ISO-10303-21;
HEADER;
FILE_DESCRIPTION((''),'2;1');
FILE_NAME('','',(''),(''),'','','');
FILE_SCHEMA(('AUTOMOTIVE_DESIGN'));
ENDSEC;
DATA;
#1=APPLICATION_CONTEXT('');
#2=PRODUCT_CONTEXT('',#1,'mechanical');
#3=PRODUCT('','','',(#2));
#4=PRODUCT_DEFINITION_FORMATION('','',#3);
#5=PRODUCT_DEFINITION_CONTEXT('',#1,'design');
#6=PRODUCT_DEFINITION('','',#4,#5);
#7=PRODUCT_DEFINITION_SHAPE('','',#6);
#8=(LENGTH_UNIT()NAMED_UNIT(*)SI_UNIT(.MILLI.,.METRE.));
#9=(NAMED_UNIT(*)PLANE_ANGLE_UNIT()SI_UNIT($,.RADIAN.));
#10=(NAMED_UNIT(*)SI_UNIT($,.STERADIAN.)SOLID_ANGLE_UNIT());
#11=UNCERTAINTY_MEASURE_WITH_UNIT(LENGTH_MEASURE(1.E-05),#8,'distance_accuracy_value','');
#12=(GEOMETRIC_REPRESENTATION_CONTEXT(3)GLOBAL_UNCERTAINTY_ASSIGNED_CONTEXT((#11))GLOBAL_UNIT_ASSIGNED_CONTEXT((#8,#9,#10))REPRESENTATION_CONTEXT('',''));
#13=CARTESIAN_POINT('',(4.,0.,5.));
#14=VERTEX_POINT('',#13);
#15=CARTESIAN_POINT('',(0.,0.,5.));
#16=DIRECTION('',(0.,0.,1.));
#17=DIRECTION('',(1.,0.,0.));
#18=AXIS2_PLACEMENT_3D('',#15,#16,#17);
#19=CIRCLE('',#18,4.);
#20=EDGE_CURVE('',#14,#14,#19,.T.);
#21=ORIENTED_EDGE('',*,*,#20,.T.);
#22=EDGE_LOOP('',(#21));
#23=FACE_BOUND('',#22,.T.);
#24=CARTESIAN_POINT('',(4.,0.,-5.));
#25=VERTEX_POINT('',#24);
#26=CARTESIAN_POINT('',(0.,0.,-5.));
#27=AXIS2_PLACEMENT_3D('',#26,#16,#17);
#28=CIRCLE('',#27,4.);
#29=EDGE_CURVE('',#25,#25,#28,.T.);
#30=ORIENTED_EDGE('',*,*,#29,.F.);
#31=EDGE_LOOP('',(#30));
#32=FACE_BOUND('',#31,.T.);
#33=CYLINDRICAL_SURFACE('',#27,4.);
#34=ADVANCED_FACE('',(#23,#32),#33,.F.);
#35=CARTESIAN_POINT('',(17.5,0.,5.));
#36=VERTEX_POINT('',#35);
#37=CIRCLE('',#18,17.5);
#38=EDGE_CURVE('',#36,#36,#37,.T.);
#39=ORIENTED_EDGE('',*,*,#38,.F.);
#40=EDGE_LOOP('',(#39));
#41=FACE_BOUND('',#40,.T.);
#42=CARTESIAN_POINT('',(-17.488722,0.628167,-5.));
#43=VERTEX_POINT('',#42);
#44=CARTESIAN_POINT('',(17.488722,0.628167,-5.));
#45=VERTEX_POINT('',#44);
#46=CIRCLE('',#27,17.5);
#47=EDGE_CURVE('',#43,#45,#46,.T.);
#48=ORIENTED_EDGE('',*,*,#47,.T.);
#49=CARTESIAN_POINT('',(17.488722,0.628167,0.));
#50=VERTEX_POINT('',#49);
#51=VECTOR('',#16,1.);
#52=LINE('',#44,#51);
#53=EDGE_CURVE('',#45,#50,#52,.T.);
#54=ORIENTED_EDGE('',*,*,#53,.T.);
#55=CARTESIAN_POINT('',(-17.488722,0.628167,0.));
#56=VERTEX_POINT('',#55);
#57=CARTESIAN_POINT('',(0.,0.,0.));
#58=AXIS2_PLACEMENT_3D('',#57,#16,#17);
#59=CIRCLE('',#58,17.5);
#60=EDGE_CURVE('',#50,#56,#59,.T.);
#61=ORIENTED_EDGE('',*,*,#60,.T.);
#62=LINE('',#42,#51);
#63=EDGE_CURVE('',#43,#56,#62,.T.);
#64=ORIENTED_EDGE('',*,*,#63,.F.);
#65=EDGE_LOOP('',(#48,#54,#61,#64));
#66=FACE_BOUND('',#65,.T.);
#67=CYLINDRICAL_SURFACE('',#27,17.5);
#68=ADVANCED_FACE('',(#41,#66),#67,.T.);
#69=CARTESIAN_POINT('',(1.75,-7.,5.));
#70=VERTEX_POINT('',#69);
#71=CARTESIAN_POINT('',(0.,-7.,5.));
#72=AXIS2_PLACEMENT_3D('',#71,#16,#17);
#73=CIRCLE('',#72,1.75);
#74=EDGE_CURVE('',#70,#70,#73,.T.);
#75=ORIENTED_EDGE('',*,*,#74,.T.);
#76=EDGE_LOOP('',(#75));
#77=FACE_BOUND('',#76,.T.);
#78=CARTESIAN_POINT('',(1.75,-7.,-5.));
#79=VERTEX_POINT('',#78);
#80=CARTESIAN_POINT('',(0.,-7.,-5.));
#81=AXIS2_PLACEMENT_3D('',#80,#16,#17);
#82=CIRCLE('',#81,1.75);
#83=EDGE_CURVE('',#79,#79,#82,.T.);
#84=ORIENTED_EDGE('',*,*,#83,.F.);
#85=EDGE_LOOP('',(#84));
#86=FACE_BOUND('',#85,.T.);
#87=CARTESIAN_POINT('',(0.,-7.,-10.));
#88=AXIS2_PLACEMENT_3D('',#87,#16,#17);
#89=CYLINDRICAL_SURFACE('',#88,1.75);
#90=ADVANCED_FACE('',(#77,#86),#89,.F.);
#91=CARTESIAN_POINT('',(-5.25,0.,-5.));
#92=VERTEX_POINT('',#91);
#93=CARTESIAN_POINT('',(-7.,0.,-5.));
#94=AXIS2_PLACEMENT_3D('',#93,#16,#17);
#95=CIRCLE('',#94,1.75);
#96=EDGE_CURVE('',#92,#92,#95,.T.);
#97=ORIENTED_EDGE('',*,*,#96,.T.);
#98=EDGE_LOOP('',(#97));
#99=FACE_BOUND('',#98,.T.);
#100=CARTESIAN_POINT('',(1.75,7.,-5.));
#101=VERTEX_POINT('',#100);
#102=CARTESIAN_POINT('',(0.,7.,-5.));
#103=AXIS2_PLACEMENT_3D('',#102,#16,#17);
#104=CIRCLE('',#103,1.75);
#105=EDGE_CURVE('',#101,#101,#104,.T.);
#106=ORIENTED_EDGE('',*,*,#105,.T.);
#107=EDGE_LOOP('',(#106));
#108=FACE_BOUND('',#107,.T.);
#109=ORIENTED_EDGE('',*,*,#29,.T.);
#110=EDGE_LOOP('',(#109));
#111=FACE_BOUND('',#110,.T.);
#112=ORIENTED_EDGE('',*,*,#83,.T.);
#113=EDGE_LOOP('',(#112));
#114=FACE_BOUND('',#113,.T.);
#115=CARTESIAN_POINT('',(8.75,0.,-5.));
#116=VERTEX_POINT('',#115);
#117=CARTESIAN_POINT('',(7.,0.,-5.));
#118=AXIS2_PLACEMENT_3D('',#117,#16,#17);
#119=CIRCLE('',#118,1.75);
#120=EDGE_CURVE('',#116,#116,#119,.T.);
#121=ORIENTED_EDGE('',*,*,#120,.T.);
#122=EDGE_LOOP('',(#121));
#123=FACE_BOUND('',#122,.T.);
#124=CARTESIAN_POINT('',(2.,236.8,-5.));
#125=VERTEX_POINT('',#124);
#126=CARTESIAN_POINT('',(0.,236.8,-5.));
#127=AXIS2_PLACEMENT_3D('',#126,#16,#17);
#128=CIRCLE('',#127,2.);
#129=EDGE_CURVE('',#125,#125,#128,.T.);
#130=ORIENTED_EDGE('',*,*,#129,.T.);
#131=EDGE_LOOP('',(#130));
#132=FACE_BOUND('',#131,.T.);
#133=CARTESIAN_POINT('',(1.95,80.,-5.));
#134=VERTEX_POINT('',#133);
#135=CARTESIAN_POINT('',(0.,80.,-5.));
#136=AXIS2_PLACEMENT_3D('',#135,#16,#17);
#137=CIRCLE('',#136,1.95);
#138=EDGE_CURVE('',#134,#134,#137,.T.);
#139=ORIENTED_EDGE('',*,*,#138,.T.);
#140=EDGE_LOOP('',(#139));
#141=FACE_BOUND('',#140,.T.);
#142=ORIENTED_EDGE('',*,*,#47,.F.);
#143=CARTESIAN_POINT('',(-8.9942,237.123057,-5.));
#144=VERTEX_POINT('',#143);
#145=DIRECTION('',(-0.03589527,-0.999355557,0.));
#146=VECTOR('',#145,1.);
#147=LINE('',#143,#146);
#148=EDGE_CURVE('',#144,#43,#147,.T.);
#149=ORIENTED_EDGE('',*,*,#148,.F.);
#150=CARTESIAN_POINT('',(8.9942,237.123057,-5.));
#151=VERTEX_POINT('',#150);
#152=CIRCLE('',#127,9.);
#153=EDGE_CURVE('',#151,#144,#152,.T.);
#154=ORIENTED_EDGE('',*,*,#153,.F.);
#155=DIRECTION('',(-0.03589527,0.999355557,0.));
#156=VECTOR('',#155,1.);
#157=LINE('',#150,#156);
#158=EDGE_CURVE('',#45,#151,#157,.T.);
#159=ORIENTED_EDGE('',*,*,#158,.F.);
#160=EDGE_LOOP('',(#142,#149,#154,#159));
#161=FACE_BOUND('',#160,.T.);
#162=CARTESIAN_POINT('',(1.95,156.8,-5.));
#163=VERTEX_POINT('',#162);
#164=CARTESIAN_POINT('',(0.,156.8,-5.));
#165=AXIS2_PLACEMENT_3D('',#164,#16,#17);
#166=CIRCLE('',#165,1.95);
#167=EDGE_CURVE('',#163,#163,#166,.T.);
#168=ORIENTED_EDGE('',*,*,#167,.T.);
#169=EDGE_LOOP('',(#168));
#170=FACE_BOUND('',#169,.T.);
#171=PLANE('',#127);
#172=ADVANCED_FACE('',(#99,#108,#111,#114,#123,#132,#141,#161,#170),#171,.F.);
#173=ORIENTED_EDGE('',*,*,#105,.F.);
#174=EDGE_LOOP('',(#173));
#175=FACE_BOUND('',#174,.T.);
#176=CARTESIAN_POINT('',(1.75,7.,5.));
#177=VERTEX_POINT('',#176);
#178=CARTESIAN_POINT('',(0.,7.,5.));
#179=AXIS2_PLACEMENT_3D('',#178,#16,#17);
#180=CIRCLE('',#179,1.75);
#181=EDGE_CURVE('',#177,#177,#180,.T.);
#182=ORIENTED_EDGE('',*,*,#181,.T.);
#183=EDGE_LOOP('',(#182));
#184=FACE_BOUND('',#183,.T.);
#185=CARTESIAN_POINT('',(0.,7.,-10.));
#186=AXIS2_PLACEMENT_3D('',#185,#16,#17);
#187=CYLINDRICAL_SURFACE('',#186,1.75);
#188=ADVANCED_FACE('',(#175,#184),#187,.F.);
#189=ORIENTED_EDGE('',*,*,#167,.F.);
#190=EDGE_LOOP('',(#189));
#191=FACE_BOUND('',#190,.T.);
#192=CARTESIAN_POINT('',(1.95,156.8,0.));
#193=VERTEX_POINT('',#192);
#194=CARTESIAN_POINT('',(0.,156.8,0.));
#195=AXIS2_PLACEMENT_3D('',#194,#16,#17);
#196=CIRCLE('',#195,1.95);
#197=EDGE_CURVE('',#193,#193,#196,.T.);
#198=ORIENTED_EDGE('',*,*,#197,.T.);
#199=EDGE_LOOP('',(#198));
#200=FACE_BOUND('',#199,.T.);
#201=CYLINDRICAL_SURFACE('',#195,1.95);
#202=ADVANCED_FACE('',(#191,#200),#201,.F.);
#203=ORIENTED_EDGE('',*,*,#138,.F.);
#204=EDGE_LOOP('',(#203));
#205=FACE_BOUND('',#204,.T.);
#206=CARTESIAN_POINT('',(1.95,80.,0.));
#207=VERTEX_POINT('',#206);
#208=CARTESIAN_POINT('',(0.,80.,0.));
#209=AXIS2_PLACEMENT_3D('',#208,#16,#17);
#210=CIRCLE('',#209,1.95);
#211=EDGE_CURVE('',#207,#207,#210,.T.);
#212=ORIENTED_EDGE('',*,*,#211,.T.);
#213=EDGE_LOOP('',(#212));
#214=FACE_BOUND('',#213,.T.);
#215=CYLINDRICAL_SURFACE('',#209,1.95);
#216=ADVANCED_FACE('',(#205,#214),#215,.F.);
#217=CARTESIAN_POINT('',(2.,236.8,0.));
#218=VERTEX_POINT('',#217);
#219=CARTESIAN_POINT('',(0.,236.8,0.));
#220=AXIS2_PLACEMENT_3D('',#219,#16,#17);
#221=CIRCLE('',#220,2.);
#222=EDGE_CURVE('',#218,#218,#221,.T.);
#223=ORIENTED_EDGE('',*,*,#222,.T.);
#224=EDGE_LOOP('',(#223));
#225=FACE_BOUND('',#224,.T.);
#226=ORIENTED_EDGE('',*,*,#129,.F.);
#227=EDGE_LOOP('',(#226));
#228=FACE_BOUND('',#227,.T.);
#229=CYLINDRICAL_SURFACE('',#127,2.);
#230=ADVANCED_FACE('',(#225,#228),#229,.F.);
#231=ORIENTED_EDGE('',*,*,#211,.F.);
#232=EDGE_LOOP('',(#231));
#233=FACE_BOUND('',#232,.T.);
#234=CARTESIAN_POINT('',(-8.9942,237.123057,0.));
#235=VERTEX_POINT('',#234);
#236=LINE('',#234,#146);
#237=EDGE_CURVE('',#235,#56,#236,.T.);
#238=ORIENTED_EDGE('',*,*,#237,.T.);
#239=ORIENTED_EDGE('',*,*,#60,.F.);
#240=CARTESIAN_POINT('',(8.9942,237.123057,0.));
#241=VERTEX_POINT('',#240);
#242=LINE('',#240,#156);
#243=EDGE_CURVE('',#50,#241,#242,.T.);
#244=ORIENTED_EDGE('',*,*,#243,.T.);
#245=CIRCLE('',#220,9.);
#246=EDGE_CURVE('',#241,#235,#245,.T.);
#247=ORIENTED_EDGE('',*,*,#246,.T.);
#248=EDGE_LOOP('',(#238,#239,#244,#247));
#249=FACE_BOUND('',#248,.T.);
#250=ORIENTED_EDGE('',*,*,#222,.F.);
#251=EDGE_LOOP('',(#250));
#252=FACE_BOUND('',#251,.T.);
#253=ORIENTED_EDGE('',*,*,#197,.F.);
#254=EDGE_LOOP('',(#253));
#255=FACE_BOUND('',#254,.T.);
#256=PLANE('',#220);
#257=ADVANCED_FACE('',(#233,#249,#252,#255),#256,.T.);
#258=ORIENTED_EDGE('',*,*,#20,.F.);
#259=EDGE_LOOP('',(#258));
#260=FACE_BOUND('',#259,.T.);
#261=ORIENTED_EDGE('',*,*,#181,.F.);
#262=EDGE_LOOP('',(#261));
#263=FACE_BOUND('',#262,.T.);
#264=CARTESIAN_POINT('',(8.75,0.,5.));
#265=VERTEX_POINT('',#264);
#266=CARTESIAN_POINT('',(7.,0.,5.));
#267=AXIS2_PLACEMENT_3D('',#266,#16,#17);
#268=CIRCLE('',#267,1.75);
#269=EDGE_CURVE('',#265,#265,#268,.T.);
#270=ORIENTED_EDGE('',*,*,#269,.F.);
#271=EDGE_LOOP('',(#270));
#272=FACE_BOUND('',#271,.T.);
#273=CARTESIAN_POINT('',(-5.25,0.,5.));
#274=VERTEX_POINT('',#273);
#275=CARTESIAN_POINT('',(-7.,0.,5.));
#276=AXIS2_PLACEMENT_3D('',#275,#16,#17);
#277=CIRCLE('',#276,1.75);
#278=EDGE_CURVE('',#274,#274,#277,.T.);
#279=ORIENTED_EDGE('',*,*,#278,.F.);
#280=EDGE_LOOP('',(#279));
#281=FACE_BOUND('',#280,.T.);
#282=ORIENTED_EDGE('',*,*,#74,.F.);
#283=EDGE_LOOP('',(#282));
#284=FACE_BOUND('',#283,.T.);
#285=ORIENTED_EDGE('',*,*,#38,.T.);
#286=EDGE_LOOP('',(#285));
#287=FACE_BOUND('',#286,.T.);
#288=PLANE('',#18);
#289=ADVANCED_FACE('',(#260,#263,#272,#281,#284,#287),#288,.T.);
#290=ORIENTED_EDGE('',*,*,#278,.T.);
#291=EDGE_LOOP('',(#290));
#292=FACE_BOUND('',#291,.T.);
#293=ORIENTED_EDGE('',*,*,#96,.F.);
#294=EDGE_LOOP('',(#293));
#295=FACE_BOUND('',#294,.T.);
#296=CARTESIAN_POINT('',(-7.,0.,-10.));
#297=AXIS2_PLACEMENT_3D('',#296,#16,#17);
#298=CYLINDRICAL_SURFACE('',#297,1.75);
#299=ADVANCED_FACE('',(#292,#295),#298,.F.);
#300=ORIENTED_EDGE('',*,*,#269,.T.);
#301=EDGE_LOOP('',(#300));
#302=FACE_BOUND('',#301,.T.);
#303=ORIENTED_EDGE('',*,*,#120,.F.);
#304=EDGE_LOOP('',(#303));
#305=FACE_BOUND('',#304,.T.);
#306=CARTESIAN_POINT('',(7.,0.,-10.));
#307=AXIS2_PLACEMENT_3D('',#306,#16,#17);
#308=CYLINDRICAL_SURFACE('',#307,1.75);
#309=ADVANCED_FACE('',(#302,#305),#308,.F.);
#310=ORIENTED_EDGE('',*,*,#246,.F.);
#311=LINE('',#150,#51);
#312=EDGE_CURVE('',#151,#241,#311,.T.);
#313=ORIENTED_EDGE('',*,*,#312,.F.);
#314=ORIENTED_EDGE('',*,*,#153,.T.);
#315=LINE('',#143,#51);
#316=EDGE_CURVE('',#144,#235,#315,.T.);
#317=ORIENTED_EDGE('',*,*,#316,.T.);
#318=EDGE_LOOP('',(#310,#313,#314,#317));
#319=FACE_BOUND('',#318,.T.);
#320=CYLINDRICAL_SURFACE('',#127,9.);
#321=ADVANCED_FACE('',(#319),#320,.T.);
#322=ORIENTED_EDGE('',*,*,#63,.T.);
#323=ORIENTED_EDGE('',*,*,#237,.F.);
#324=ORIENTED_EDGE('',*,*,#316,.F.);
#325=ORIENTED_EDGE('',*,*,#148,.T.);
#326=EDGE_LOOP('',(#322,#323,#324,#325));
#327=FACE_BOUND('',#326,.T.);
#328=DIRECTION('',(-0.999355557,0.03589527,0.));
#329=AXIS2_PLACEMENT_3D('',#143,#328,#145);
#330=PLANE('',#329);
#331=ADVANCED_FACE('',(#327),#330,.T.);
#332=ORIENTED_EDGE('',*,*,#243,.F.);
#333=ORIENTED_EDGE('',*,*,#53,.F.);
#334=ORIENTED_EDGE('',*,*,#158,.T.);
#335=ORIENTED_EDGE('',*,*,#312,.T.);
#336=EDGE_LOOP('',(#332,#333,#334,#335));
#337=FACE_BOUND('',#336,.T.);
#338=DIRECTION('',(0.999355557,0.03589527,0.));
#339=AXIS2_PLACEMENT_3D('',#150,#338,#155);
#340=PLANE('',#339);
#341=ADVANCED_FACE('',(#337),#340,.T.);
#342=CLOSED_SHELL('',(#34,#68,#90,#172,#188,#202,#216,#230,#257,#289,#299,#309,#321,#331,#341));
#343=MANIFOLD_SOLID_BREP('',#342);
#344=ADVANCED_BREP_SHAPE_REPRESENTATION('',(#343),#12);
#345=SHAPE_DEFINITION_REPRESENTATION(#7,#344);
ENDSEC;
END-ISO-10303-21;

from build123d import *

# Parameters (mm, degrees)
SKETCH7_R                = 4
SKETCH7_R_2              = 2
BOSS_EXTRUDE1_DEPTH      = 5
HOLE_WIZARD_M3_5_1_D     = 3.9
HOLE_WIZARD_M3_5_1_DEPTH = 10
HOLE_WIZARD_M3_5_1_TIP   = 1.171678207
SKETCH_4_R               = 1.75
CUT_EXTRUDE_1_DEPTH      = 10
EXTRUDE_START            = 5
SKETCH_5_R               = 17.5
SKETCH_5_R_2             = 1.75
SKETCH_5_R_3             = 4
EXTRUDE_1_DEPTH          = 5


with BuildPart() as part:
    # Sketch7 → Boss-Extrude1 (new body)
    with BuildSketch(Plane.XY):
        with BuildLine():
            Line((8.994200014, 237.123057432), (17.48872225, 0.62816723))
            ThreePointArc((17.48872225, 0.62816723), (0, -17.5), (-17.48872225, 0.62816723))
            Line((-17.48872225, 0.62816723), (-8.994200014, 237.123057432))
            ThreePointArc((-8.994200014, 237.123057432), (0, 245.8), (8.994200014, 237.123057432))
        make_face()
        Circle(SKETCH7_R, mode=Mode.SUBTRACT)
        with Locations((0, 236.8)):
            Circle(SKETCH7_R_2, mode=Mode.SUBTRACT)
    extrude(amount=-BOSS_EXTRUDE1_DEPTH)

    # M3.5 间隙孔1
    with Locations(Plane(origin=(0, 156.8, 0), x_dir=(1, 0, 0), z_dir=(0, 0, 1))):
        with Locations((0, 0), (0, -76.8)):
            Hole(HOLE_WIZARD_M3_5_1_D / 2, depth=HOLE_WIZARD_M3_5_1_DEPTH)
            with Locations((0, 0, -(HOLE_WIZARD_M3_5_1_DEPTH + HOLE_WIZARD_M3_5_1_TIP / 2))):  # 118° drill point
                Cone(0, HOLE_WIZARD_M3_5_1_D / 2, HOLE_WIZARD_M3_5_1_TIP, mode=Mode.SUBTRACT)

    # 草图4 → 切除-拉伸1 (cut)
    with BuildSketch(Plane.XY):
        with Locations((7, 0)):
            Circle(SKETCH_4_R)
        with Locations((0, 7)):
            Circle(SKETCH_4_R)
        with Locations((0, -7)):
            Circle(SKETCH_4_R)
        with Locations((-7, 0)):
            Circle(SKETCH_4_R)
    extrude(amount=-CUT_EXTRUDE_1_DEPTH, mode=Mode.SUBTRACT)

    # 草图5 → 凸台-拉伸1 (add)
    with BuildSketch(Plane.XY.offset(EXTRUDE_START)):
        Circle(SKETCH_5_R)
        with Locations((7, 0)):
            Circle(SKETCH_5_R_2, mode=Mode.SUBTRACT)
        with Locations((0, -7)):
            Circle(SKETCH_5_R_2, mode=Mode.SUBTRACT)
        Circle(SKETCH_5_R_3, mode=Mode.SUBTRACT)
        with Locations((-7, 0)):
            Circle(SKETCH_5_R_2, mode=Mode.SUBTRACT)
        with Locations((0, 7)):
            Circle(SKETCH_5_R_2, mode=Mode.SUBTRACT)
    extrude(amount=-EXTRUDE_1_DEPTH)


solid = part.part
